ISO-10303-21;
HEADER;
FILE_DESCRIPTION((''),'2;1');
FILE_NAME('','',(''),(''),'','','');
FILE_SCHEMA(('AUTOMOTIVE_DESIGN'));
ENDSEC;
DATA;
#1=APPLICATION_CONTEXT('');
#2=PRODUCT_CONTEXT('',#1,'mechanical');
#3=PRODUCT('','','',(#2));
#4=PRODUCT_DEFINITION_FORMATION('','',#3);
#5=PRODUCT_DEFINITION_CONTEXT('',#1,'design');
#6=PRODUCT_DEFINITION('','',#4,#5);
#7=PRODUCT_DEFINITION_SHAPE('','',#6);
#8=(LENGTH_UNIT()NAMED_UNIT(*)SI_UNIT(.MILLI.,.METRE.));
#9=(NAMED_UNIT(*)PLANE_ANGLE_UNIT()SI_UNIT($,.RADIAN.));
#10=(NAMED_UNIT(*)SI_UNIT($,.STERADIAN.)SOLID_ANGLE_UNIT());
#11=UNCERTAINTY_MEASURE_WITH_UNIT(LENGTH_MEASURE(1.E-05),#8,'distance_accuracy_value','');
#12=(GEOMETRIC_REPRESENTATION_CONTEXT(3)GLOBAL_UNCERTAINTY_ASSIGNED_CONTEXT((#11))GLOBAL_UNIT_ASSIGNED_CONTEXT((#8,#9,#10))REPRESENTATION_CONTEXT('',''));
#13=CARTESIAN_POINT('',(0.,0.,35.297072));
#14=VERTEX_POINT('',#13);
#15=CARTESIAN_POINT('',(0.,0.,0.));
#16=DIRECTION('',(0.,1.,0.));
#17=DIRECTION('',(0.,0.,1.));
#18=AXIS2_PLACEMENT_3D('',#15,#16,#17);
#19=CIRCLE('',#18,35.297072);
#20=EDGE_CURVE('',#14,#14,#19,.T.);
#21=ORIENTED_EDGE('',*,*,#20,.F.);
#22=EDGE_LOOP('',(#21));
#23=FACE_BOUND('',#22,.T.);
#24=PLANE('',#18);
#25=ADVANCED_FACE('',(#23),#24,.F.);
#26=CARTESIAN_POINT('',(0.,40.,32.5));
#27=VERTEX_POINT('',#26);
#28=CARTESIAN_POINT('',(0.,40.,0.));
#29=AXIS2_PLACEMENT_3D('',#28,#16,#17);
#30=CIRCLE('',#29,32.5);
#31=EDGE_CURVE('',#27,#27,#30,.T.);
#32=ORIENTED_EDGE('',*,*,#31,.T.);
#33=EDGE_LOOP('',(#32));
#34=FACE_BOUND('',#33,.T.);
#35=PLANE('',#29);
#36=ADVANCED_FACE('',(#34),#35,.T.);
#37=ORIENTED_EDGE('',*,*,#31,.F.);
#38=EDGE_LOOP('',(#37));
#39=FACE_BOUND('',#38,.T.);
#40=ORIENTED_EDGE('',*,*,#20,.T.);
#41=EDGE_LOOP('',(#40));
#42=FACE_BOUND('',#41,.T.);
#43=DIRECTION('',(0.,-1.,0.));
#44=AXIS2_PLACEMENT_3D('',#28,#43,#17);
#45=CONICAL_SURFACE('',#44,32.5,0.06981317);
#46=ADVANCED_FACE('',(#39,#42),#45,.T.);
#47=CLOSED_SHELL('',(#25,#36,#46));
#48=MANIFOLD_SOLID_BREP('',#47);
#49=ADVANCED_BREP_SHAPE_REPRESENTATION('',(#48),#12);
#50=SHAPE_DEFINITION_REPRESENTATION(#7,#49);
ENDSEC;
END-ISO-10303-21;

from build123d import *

# Parameters (mm, degrees)
SKETCH_1_R      = 32.5
EXTRUDE_1_DEPTH = 40
DRAFT_1_ANGLE   = 4


with BuildPart() as part:
    # 草图1 → 凸台-拉伸1 (new body)
    with BuildSketch(Plane(origin=(0, 0, 0), x_dir=(1, 0, 0), z_dir=(0, 1, 0))):
        Circle(SKETCH_1_R)
    extrude(amount=EXTRUDE_1_DEPTH)

    # 拔模1
    draft_1_faces = [part.faces().sort_by_distance(p)[0] for p in [
        (-32.5, 20, 0),
    ]]
    draft(draft_1_faces, Plane.ZX.offset(40), DRAFT_1_ANGLE)


solid = part.part
